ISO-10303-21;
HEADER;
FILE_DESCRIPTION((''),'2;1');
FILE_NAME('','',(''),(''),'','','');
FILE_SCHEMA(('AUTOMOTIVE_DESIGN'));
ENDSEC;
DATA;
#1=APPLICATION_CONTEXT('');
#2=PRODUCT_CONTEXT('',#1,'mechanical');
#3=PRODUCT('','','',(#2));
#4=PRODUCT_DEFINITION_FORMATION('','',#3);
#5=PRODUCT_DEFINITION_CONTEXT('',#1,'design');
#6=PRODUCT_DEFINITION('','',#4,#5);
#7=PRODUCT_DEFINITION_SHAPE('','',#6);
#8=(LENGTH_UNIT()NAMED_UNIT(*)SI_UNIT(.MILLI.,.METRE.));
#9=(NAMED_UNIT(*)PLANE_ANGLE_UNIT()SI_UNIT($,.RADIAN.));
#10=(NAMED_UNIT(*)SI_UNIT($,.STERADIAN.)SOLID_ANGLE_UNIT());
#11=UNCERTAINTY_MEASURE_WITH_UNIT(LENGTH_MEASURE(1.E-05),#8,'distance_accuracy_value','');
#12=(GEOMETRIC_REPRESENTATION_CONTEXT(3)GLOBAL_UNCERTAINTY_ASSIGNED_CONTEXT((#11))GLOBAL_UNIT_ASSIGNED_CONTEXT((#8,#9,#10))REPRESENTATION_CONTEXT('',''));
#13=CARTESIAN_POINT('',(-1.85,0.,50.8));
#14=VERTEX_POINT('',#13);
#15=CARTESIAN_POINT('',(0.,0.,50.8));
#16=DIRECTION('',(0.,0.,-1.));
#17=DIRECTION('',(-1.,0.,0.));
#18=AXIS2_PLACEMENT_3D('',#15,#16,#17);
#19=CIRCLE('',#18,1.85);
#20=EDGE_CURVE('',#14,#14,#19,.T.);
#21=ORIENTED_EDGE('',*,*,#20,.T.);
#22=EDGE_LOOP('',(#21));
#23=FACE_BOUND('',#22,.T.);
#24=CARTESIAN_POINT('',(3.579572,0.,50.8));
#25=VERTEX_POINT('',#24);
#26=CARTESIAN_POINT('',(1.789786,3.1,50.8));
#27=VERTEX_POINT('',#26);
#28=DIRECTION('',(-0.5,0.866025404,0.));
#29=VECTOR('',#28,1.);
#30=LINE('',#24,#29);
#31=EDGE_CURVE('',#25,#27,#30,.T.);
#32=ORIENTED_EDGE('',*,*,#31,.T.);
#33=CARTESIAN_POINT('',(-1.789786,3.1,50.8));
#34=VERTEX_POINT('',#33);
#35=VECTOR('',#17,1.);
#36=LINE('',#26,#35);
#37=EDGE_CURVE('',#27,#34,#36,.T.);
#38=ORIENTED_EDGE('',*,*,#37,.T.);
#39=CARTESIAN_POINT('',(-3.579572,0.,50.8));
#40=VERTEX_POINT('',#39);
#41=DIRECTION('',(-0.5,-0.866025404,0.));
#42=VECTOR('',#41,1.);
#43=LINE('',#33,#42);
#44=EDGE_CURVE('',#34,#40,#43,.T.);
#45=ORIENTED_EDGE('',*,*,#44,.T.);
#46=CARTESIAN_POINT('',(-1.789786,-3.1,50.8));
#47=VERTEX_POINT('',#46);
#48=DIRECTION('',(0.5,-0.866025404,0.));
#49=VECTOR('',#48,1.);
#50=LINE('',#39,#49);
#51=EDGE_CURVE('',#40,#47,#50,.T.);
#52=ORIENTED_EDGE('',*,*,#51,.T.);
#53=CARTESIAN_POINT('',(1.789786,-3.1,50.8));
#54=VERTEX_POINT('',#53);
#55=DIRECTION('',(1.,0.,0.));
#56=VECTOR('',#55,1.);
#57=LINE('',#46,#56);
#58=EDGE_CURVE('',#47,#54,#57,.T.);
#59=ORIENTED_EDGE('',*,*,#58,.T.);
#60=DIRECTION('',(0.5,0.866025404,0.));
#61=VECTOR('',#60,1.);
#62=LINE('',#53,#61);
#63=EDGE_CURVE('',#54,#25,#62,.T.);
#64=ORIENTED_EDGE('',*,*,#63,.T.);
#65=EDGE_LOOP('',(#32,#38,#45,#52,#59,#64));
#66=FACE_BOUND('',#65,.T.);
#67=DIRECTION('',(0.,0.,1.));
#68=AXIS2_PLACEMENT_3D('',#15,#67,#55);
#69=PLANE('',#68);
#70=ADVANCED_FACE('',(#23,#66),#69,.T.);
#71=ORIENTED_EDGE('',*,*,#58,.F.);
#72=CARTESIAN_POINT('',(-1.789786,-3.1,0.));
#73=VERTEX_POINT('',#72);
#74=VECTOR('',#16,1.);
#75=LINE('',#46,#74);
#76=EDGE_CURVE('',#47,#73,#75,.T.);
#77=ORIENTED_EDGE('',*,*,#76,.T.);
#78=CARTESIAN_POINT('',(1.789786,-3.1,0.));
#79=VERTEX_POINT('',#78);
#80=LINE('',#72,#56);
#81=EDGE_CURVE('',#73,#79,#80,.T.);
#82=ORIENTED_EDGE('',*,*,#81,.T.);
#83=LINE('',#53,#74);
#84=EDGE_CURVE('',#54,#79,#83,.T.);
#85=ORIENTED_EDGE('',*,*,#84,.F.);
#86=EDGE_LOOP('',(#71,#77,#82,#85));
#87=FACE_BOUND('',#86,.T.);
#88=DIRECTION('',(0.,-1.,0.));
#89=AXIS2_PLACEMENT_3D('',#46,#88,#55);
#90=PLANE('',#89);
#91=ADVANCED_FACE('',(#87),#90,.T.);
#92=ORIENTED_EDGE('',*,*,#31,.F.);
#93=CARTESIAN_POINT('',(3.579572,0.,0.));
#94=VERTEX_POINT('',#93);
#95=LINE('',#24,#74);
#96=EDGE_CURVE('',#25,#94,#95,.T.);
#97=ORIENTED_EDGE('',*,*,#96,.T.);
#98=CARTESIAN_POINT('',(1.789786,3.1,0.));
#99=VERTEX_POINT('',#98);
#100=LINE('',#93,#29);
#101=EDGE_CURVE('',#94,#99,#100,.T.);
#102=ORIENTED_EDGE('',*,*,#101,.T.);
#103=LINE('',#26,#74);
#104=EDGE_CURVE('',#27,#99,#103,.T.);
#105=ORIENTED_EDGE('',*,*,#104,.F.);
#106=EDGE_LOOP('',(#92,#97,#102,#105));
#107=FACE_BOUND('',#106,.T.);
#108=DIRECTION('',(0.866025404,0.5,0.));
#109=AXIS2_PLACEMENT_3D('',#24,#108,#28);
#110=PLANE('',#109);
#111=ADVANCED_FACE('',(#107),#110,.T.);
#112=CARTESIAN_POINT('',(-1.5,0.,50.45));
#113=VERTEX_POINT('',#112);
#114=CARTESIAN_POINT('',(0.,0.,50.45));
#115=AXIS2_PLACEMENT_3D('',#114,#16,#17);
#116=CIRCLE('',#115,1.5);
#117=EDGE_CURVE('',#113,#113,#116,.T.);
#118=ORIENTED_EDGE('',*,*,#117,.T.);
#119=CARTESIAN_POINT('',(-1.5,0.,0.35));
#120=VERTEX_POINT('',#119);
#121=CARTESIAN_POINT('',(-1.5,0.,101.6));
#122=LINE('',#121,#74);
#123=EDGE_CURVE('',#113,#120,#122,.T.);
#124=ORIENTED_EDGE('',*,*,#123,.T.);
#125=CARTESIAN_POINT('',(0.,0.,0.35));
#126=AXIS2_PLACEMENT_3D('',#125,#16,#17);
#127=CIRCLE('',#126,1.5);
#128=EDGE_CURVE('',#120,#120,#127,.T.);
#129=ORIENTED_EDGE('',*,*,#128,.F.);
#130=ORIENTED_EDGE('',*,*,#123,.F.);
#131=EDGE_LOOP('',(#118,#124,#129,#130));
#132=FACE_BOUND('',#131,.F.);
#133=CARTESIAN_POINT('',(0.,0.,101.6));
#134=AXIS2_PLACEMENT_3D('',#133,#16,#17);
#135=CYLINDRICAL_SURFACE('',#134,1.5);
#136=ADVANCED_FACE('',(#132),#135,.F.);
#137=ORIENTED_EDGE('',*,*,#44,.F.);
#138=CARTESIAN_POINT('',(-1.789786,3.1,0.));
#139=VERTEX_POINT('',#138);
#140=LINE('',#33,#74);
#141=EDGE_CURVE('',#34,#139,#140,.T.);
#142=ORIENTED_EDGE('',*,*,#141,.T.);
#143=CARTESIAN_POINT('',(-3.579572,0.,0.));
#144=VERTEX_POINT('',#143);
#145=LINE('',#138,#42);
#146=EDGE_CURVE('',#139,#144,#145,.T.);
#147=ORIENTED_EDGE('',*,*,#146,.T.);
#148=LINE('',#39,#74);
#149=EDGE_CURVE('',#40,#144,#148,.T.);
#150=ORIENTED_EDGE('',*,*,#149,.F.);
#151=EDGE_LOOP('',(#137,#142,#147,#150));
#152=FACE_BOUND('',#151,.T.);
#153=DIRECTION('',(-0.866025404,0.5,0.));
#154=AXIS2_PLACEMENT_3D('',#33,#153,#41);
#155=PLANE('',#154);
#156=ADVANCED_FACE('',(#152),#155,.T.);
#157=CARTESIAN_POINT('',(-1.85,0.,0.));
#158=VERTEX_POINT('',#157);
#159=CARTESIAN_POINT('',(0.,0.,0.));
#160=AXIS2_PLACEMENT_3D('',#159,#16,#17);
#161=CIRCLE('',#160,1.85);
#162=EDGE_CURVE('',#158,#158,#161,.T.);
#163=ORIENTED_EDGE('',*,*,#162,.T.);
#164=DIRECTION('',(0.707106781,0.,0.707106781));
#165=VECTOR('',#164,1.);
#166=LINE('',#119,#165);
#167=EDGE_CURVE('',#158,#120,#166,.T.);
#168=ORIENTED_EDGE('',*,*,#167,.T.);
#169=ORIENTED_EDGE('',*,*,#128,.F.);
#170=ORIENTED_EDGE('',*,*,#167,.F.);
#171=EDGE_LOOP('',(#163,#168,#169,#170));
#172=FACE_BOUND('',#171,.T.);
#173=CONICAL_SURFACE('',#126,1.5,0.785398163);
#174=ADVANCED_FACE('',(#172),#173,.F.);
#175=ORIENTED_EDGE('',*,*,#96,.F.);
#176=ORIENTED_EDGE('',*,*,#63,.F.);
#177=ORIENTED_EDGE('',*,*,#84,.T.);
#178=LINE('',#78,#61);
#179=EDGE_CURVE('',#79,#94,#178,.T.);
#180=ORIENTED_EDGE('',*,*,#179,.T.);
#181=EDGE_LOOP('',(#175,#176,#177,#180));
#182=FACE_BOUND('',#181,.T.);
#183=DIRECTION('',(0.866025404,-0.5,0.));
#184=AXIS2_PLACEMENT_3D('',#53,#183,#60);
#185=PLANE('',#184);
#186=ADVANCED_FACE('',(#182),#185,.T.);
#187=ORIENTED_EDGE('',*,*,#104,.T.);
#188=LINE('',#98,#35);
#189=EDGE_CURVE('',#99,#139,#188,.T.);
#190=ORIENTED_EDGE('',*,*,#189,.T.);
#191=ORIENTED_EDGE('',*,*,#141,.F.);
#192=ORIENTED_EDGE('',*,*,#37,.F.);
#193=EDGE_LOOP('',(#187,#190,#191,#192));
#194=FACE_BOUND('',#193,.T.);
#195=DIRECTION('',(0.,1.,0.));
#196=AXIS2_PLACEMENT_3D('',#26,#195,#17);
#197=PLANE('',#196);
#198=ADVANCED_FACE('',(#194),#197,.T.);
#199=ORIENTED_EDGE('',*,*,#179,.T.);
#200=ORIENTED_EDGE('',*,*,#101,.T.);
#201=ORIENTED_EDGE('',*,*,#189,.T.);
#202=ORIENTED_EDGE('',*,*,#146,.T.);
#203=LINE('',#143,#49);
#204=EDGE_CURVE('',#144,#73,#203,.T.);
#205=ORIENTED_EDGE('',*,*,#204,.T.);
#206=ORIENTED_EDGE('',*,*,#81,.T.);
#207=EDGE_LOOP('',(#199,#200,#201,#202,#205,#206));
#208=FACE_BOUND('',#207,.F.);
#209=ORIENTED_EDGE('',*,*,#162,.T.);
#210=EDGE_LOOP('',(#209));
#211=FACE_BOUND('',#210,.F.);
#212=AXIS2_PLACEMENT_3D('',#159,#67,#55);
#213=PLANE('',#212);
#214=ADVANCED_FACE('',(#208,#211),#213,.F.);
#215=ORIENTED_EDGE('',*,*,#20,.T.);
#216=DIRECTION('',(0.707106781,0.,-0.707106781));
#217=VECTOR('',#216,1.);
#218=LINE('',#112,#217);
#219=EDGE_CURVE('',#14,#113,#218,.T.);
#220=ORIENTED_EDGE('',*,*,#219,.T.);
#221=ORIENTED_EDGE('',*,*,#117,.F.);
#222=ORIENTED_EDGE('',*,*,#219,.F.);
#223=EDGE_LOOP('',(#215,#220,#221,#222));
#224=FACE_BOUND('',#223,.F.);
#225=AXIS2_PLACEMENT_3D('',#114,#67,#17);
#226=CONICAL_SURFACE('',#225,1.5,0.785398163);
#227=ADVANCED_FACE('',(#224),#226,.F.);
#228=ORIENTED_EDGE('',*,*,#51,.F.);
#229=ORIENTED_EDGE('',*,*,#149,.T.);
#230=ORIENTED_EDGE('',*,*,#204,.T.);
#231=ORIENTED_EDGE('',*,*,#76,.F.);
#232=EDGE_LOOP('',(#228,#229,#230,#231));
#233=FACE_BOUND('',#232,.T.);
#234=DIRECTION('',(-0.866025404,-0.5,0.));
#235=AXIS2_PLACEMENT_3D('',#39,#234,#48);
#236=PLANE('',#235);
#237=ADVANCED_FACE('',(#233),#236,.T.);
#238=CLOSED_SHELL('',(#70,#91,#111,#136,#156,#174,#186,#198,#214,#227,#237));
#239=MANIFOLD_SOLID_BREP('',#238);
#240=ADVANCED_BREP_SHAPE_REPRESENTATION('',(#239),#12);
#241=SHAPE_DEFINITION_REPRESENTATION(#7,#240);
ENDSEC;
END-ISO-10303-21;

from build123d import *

# Parameters (mm, degrees)
BOSS_EXTRUDE1_DEPTH          = 50.8
F_3_0_3_DIAMETER_HOLE1_D     = 3
F_3_0_3_DIAMETER_HOLE1_DEPTH = 50.8
CHAMFER1_SIZE                = 0.35


with BuildPart() as part:
    # Sketch1 → Boss-Extrude1 (new body)
    with BuildSketch(Plane.XY.offset(50.8)):
        Polygon((-3.579571669, 0), (-1.789785834, -3.1), (1.789785834, -3.1), (3.579571669, 0), (1.789785834, 3.1), (-1.789785834, 3.1), align=None)
    extrude(amount=-BOSS_EXTRUDE1_DEPTH)

    # Ø3.0 (3) Diameter Hole1
    with Locations(Plane.XY.offset(50.8)):
        with Locations((0, 0)):
            Hole(F_3_0_3_DIAMETER_HOLE1_D / 2, depth=F_3_0_3_DIAMETER_HOLE1_DEPTH)

    # Chamfer1
    chamfer1_edges = [part.edges().sort_by_distance(p)[0] for p in [
        (1.5, 0, 50.8),
        (1.5, 0, 0),
    ]]
    chamfer(chamfer1_edges, length=CHAMFER1_SIZE)


solid = part.part
